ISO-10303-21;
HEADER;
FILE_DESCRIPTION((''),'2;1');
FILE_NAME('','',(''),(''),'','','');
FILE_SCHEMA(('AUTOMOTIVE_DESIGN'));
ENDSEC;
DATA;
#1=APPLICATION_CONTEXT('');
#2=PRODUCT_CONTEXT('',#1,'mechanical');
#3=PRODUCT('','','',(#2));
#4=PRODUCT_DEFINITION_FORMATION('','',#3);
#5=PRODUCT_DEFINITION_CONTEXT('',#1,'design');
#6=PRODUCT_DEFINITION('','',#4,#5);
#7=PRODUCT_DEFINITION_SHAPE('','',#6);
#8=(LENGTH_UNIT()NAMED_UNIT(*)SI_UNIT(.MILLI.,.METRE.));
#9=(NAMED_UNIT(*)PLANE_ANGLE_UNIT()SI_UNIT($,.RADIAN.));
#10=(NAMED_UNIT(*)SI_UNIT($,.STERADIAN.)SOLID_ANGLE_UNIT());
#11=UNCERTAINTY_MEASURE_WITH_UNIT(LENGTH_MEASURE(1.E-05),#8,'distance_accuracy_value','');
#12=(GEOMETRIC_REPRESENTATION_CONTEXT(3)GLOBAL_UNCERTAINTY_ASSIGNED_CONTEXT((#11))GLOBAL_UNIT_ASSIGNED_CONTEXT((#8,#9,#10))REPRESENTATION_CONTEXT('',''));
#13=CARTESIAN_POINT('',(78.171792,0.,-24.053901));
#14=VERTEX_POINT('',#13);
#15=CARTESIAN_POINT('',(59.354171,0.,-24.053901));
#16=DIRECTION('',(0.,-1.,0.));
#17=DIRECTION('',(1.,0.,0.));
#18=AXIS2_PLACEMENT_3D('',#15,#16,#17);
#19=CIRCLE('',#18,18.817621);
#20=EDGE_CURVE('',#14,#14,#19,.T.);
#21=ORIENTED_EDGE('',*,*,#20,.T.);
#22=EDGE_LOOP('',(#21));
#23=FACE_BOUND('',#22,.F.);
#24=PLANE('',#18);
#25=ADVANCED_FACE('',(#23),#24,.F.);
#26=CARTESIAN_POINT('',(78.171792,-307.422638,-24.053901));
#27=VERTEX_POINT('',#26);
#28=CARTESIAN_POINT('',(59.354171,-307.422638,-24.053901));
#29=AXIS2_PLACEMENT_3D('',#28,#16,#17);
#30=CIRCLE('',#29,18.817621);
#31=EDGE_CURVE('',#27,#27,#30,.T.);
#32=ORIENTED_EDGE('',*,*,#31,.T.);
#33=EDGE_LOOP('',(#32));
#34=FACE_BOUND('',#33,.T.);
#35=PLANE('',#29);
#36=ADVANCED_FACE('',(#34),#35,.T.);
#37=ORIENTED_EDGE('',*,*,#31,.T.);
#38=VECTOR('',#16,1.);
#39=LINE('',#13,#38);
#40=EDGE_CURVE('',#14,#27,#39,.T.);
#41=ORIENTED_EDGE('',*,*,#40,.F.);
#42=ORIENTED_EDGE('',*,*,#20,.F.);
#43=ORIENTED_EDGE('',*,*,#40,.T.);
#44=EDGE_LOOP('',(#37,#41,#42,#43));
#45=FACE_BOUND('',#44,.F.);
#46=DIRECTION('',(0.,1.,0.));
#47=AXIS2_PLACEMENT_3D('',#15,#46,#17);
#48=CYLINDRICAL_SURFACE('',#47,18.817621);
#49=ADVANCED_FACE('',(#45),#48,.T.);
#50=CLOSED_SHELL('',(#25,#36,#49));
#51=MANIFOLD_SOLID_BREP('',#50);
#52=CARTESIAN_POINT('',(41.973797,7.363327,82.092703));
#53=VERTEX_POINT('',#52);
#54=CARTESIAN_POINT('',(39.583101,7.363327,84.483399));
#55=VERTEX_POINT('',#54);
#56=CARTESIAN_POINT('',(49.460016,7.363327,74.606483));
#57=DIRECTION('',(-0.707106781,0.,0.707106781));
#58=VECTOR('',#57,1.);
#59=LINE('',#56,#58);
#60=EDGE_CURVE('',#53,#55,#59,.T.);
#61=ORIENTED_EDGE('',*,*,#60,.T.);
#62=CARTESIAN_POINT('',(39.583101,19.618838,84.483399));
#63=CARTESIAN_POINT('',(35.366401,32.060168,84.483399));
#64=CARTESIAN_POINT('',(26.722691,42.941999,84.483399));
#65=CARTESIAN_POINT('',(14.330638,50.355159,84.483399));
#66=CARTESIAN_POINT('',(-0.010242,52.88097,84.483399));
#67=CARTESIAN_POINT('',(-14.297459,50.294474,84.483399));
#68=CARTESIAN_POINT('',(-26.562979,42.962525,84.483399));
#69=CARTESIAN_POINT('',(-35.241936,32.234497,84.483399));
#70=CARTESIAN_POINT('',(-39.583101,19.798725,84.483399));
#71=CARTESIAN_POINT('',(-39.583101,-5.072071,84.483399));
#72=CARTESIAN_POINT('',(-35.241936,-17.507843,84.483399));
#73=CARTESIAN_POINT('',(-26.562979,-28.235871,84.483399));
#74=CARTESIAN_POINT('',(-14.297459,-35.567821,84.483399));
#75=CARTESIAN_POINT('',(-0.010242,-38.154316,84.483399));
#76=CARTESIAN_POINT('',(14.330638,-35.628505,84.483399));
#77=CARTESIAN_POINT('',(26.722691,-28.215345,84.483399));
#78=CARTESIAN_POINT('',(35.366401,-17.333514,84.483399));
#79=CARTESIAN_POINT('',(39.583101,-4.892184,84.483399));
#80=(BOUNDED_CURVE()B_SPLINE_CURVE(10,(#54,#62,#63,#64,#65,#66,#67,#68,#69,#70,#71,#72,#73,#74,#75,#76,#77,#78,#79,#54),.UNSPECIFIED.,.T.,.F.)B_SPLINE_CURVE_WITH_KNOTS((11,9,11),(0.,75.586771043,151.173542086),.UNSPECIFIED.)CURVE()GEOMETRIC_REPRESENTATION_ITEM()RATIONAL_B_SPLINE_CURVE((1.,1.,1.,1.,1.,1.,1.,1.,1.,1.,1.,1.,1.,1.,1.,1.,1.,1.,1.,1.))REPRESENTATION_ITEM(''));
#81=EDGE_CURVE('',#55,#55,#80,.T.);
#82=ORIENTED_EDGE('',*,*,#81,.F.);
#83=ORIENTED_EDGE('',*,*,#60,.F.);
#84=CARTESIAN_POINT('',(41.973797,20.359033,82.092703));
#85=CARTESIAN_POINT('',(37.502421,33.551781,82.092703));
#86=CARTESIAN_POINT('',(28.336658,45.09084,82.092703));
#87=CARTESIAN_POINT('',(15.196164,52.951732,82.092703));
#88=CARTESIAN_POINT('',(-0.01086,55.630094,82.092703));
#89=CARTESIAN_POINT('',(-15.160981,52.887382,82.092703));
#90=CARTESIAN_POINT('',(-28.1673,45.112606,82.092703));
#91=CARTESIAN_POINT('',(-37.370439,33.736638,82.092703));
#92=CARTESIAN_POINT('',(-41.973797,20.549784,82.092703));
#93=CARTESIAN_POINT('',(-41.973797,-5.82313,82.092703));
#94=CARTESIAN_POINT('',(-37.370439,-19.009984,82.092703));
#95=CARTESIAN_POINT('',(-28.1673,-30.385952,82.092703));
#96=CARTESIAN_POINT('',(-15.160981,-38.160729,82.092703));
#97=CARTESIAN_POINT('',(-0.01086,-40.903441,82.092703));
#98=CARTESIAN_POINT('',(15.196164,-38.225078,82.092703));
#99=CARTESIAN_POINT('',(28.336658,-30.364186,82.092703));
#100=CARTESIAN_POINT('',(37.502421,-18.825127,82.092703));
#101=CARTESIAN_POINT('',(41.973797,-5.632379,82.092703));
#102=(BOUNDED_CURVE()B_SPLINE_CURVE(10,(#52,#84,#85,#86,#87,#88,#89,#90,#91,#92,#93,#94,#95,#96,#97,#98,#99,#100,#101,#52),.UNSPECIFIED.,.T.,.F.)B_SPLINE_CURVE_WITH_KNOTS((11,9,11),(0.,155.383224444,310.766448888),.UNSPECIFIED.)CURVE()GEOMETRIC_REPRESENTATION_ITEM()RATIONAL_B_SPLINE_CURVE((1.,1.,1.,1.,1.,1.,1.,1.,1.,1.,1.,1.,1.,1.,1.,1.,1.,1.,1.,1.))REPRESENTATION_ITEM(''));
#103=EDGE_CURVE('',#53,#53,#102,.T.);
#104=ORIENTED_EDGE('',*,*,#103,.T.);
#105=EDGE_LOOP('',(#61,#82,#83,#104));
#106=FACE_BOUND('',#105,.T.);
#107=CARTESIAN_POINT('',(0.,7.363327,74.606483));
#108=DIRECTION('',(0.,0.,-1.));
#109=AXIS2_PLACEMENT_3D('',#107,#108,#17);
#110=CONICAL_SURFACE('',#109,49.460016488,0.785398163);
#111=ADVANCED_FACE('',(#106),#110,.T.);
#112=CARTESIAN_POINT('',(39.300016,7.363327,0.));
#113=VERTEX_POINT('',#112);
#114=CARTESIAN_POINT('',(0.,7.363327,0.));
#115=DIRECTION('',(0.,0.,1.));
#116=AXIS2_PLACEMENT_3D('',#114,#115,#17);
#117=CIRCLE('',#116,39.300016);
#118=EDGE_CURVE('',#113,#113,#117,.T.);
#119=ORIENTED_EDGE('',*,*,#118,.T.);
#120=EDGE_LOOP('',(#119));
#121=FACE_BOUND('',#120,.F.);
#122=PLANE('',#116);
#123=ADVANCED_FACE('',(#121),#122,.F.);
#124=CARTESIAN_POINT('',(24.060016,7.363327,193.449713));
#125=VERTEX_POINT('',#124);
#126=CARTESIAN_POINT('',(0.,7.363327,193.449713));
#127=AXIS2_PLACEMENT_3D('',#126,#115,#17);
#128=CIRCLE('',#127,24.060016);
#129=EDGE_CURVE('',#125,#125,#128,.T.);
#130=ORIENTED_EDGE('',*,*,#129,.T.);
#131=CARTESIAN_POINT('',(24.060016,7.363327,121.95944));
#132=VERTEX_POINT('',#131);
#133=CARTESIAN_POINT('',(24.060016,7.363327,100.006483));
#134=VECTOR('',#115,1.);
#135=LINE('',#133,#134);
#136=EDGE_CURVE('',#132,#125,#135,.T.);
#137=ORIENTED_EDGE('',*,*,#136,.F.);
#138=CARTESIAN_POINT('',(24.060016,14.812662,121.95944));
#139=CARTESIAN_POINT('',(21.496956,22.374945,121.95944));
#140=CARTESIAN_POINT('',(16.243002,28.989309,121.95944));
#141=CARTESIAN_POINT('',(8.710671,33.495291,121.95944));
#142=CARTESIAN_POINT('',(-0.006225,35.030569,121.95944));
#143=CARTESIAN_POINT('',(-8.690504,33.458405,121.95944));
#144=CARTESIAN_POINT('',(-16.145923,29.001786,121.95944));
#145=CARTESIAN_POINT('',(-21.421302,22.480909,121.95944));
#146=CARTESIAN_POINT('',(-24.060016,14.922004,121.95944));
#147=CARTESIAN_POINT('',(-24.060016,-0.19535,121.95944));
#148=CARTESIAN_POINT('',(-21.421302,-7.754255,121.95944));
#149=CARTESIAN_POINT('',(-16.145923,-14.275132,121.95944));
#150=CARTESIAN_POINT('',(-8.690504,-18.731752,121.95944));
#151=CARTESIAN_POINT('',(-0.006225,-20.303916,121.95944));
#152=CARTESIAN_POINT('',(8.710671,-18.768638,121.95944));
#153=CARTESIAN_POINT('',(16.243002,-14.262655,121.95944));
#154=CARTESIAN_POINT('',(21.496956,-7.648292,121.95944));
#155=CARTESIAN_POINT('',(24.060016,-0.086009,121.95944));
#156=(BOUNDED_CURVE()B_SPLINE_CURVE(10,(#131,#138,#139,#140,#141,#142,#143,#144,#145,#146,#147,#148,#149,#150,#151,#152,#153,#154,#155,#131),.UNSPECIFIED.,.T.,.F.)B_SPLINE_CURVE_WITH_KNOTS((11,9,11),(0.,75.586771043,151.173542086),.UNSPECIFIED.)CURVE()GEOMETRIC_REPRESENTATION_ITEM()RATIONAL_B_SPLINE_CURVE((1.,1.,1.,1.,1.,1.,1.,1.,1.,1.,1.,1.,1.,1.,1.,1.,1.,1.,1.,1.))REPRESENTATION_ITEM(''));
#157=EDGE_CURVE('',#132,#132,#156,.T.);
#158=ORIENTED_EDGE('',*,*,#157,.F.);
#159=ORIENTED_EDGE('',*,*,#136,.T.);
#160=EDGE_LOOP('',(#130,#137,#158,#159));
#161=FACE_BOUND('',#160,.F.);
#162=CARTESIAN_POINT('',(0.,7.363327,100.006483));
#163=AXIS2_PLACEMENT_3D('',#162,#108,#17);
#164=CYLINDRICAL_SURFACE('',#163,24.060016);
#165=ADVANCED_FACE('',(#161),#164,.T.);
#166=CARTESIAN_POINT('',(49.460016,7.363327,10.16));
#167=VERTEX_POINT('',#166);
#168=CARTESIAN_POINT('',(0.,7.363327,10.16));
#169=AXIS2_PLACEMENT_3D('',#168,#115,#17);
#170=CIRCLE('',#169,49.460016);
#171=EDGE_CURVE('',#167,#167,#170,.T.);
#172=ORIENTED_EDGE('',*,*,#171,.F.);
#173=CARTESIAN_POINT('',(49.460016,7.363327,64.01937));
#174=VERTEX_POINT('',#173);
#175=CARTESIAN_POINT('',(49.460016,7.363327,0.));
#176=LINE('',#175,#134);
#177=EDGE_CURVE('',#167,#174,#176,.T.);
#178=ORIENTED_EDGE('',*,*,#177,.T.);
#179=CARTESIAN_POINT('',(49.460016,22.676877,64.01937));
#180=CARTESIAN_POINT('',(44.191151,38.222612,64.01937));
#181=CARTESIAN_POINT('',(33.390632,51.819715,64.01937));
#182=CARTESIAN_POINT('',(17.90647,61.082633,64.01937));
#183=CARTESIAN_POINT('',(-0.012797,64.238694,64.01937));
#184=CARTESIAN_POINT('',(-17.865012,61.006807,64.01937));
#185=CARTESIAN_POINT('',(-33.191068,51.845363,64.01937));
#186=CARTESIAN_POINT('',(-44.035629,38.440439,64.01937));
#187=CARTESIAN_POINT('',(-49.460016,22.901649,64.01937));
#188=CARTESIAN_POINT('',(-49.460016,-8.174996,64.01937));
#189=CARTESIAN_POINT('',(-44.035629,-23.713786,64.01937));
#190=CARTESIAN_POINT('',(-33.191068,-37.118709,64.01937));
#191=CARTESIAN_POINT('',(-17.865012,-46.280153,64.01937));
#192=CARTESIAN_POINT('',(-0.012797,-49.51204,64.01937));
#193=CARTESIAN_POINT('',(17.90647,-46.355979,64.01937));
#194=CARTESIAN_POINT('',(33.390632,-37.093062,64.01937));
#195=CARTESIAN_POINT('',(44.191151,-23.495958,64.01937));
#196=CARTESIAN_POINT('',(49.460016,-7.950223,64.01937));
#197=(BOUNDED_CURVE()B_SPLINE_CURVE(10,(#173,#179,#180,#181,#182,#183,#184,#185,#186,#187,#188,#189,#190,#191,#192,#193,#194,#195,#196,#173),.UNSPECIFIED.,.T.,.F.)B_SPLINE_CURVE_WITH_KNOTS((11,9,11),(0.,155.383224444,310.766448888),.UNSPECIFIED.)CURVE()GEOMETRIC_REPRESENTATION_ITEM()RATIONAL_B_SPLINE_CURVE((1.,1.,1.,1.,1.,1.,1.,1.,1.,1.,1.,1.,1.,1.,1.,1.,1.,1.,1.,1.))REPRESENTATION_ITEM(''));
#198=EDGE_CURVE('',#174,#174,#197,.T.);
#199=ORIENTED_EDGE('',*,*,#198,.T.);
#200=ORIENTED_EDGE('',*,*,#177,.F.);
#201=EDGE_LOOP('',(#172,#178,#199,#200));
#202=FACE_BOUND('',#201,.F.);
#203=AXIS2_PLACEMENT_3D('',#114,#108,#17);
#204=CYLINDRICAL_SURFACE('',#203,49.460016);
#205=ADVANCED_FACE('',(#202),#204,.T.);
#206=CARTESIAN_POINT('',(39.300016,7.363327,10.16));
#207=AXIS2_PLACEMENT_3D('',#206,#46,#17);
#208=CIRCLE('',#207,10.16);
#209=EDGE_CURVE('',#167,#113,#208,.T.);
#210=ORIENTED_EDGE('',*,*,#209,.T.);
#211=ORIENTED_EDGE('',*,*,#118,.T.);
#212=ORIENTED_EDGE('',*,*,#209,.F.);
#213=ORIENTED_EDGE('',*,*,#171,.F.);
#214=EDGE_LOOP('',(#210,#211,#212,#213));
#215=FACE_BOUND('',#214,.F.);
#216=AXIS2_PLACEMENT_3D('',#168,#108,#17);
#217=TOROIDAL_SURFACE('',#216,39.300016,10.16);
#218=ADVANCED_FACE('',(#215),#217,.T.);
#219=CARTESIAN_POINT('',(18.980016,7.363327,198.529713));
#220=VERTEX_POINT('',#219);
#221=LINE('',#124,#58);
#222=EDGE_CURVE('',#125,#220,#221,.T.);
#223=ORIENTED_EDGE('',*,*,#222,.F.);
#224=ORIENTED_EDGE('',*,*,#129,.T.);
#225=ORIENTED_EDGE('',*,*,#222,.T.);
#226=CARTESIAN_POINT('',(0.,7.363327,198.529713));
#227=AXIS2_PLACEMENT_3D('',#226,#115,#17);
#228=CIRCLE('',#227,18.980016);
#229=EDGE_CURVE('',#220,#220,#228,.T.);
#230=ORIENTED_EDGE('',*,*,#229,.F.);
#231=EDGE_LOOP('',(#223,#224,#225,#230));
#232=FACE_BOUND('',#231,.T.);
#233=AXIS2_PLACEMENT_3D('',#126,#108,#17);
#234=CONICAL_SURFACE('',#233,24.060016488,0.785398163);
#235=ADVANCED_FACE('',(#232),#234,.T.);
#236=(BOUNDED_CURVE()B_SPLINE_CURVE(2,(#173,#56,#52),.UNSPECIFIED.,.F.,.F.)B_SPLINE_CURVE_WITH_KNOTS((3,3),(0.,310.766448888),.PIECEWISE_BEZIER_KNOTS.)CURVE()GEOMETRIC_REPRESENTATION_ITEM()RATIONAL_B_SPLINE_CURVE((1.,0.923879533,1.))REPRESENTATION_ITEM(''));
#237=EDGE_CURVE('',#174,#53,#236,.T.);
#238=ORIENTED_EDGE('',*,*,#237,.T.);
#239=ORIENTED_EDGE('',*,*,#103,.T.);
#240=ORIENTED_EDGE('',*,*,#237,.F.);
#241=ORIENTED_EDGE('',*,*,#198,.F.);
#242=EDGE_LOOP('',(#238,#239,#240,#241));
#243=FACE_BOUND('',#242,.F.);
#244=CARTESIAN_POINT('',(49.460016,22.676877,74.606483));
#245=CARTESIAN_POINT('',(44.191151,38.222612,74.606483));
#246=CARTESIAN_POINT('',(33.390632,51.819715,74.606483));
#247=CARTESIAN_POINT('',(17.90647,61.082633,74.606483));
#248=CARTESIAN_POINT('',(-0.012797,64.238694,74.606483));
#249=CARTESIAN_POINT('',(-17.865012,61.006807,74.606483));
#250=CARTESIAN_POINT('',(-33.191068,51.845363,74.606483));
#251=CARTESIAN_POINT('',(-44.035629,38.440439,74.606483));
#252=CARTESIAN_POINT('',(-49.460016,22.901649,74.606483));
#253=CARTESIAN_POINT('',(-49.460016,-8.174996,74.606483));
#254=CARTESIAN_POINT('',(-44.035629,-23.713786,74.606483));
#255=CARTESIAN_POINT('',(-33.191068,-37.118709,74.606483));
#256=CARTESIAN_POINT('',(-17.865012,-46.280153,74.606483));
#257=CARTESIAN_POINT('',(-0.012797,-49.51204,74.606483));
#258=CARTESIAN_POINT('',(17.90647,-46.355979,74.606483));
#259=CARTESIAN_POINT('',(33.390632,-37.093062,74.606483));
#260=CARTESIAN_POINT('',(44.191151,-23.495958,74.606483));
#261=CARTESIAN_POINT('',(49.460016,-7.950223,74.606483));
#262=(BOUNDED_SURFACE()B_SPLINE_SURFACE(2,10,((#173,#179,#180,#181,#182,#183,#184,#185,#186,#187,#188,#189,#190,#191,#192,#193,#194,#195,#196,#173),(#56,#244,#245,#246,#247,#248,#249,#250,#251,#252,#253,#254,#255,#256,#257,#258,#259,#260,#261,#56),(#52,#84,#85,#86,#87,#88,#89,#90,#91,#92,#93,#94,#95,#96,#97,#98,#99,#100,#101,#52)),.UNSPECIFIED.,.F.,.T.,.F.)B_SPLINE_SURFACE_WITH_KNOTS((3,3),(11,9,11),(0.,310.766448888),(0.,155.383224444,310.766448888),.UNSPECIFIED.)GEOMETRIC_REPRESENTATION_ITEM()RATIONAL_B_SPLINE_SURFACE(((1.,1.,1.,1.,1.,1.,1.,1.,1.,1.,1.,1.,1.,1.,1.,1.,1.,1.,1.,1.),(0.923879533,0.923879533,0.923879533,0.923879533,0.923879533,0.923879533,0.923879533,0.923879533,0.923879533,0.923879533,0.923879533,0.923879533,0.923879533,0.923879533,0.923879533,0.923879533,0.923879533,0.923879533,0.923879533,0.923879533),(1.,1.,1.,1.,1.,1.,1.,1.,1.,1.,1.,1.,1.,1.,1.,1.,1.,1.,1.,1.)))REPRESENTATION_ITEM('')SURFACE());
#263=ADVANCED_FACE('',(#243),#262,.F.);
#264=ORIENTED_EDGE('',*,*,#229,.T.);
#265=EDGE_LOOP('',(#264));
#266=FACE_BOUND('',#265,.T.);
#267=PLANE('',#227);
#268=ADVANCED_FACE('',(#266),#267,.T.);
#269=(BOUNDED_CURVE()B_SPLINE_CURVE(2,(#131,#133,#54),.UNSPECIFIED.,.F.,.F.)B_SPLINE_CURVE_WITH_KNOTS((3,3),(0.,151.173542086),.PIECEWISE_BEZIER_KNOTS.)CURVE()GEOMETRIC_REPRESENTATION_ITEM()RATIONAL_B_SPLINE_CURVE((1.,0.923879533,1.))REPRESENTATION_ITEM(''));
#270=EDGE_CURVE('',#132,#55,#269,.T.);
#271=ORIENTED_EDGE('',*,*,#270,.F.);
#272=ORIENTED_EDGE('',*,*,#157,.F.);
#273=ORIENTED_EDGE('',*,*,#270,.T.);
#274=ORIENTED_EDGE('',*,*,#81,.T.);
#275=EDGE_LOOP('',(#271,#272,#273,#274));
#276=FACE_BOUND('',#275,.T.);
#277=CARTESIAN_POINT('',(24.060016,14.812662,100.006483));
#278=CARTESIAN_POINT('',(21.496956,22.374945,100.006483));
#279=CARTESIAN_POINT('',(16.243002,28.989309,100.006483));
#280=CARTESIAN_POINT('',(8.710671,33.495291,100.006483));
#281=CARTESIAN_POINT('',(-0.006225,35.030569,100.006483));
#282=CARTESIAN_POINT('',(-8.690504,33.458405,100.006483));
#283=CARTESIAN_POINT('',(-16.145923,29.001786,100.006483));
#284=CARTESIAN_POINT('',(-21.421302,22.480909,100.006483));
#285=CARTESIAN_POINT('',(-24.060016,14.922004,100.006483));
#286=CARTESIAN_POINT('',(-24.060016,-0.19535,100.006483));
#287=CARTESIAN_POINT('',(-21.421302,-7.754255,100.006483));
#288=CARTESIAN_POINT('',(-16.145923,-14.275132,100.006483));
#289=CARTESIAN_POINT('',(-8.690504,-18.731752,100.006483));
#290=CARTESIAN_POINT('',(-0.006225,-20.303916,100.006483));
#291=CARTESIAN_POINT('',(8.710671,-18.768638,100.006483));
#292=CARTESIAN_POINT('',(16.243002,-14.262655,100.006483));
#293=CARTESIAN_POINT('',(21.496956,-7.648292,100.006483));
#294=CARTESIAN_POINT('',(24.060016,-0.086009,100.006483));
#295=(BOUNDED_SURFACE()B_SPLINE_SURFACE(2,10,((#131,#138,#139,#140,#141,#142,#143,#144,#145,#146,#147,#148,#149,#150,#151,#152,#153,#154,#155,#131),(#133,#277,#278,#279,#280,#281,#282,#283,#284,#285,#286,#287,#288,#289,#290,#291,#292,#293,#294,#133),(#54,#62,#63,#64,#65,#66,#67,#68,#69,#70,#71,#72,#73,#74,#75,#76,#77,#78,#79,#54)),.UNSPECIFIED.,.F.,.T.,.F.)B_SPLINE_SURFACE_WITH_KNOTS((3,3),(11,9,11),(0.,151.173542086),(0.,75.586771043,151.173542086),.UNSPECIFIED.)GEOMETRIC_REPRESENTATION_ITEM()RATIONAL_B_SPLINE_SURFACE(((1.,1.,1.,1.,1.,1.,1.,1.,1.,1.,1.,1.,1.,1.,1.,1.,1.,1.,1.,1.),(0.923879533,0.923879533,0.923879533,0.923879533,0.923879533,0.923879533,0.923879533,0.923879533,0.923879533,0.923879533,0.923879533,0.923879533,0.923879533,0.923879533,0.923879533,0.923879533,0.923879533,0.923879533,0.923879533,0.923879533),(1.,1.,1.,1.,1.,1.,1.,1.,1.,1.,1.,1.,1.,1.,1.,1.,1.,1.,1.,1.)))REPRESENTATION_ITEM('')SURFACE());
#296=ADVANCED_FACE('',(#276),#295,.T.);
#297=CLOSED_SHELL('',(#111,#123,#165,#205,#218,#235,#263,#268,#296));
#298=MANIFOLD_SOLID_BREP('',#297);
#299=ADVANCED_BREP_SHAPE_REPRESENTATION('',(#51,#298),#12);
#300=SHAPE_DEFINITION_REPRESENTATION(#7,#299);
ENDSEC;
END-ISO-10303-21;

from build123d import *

# Parameters (mm, degrees)
F0_R     = 49.4600164877
F1_DEPTH = 100.0064834952
F2_SIZE  = 25.4
F3_R     = 25.559552511
F4_DEPTH = 98.5232293606
F5_R     = 52.9991248182
F6_SIZE  = 5.08
F7_R     = 10.16
F8_R     = 18.8176208756
F9_DEPTH = 307.4226379395


with BuildPart() as f1:
    # F0 (on Top) → F1 (new body)
    with BuildSketch(Plane.XY):
        with Locations((0, 7.3633268476)):
            Circle(F0_R)
    extrude(amount=F1_DEPTH)

    # F2
    f2_edges = [f1.edges().sort_by_distance(p)[0] for p in [
        (-49.460016, 7.363327, 100.006483),
    ]]
    chamfer(f2_edges, length=F2_SIZE)

    # F3
    f3_edges = [f1.edges().sort_by_distance(p)[0] for p in [
        (-49.460016, 7.363327, 74.606483),
    ]]
    fillet(f3_edges, radius=F3_R)

    # F4 (add): a face of the model
    f4_faces = [f1.faces().sort_by_distance(p)[0] for p in [
        (0, 7.3633268476, 100.0064834952),
    ]]
    extrude(f4_faces, amount=F4_DEPTH)

    # F5
    f5_edges = [f1.edges().sort_by_distance(p)[0] for p in [
        (-24.060016, 7.363327, 100.006483),
    ]]
    fillet(f5_edges, radius=F5_R)

    # F6
    f6_edges = [f1.edges().sort_by_distance(p)[0] for p in [
        (-24.060016, 7.363327, 198.529713),
    ]]
    chamfer(f6_edges, length=F6_SIZE)

    # F7
    f7_edges = [f1.edges().sort_by_distance(p)[0] for p in [
        (-49.460016, 7.363327, 0),
    ]]
    fillet(f7_edges, radius=F7_R)


with BuildPart() as f9:
    # F8 (on Front) → F9 (new body)
    with BuildSketch(Plane.XZ):
        with Locations((59.3541711569, -24.0539014339)):
            Circle(F8_R)
    extrude(amount=F9_DEPTH)


solid = Compound([f1.part, f9.part])
